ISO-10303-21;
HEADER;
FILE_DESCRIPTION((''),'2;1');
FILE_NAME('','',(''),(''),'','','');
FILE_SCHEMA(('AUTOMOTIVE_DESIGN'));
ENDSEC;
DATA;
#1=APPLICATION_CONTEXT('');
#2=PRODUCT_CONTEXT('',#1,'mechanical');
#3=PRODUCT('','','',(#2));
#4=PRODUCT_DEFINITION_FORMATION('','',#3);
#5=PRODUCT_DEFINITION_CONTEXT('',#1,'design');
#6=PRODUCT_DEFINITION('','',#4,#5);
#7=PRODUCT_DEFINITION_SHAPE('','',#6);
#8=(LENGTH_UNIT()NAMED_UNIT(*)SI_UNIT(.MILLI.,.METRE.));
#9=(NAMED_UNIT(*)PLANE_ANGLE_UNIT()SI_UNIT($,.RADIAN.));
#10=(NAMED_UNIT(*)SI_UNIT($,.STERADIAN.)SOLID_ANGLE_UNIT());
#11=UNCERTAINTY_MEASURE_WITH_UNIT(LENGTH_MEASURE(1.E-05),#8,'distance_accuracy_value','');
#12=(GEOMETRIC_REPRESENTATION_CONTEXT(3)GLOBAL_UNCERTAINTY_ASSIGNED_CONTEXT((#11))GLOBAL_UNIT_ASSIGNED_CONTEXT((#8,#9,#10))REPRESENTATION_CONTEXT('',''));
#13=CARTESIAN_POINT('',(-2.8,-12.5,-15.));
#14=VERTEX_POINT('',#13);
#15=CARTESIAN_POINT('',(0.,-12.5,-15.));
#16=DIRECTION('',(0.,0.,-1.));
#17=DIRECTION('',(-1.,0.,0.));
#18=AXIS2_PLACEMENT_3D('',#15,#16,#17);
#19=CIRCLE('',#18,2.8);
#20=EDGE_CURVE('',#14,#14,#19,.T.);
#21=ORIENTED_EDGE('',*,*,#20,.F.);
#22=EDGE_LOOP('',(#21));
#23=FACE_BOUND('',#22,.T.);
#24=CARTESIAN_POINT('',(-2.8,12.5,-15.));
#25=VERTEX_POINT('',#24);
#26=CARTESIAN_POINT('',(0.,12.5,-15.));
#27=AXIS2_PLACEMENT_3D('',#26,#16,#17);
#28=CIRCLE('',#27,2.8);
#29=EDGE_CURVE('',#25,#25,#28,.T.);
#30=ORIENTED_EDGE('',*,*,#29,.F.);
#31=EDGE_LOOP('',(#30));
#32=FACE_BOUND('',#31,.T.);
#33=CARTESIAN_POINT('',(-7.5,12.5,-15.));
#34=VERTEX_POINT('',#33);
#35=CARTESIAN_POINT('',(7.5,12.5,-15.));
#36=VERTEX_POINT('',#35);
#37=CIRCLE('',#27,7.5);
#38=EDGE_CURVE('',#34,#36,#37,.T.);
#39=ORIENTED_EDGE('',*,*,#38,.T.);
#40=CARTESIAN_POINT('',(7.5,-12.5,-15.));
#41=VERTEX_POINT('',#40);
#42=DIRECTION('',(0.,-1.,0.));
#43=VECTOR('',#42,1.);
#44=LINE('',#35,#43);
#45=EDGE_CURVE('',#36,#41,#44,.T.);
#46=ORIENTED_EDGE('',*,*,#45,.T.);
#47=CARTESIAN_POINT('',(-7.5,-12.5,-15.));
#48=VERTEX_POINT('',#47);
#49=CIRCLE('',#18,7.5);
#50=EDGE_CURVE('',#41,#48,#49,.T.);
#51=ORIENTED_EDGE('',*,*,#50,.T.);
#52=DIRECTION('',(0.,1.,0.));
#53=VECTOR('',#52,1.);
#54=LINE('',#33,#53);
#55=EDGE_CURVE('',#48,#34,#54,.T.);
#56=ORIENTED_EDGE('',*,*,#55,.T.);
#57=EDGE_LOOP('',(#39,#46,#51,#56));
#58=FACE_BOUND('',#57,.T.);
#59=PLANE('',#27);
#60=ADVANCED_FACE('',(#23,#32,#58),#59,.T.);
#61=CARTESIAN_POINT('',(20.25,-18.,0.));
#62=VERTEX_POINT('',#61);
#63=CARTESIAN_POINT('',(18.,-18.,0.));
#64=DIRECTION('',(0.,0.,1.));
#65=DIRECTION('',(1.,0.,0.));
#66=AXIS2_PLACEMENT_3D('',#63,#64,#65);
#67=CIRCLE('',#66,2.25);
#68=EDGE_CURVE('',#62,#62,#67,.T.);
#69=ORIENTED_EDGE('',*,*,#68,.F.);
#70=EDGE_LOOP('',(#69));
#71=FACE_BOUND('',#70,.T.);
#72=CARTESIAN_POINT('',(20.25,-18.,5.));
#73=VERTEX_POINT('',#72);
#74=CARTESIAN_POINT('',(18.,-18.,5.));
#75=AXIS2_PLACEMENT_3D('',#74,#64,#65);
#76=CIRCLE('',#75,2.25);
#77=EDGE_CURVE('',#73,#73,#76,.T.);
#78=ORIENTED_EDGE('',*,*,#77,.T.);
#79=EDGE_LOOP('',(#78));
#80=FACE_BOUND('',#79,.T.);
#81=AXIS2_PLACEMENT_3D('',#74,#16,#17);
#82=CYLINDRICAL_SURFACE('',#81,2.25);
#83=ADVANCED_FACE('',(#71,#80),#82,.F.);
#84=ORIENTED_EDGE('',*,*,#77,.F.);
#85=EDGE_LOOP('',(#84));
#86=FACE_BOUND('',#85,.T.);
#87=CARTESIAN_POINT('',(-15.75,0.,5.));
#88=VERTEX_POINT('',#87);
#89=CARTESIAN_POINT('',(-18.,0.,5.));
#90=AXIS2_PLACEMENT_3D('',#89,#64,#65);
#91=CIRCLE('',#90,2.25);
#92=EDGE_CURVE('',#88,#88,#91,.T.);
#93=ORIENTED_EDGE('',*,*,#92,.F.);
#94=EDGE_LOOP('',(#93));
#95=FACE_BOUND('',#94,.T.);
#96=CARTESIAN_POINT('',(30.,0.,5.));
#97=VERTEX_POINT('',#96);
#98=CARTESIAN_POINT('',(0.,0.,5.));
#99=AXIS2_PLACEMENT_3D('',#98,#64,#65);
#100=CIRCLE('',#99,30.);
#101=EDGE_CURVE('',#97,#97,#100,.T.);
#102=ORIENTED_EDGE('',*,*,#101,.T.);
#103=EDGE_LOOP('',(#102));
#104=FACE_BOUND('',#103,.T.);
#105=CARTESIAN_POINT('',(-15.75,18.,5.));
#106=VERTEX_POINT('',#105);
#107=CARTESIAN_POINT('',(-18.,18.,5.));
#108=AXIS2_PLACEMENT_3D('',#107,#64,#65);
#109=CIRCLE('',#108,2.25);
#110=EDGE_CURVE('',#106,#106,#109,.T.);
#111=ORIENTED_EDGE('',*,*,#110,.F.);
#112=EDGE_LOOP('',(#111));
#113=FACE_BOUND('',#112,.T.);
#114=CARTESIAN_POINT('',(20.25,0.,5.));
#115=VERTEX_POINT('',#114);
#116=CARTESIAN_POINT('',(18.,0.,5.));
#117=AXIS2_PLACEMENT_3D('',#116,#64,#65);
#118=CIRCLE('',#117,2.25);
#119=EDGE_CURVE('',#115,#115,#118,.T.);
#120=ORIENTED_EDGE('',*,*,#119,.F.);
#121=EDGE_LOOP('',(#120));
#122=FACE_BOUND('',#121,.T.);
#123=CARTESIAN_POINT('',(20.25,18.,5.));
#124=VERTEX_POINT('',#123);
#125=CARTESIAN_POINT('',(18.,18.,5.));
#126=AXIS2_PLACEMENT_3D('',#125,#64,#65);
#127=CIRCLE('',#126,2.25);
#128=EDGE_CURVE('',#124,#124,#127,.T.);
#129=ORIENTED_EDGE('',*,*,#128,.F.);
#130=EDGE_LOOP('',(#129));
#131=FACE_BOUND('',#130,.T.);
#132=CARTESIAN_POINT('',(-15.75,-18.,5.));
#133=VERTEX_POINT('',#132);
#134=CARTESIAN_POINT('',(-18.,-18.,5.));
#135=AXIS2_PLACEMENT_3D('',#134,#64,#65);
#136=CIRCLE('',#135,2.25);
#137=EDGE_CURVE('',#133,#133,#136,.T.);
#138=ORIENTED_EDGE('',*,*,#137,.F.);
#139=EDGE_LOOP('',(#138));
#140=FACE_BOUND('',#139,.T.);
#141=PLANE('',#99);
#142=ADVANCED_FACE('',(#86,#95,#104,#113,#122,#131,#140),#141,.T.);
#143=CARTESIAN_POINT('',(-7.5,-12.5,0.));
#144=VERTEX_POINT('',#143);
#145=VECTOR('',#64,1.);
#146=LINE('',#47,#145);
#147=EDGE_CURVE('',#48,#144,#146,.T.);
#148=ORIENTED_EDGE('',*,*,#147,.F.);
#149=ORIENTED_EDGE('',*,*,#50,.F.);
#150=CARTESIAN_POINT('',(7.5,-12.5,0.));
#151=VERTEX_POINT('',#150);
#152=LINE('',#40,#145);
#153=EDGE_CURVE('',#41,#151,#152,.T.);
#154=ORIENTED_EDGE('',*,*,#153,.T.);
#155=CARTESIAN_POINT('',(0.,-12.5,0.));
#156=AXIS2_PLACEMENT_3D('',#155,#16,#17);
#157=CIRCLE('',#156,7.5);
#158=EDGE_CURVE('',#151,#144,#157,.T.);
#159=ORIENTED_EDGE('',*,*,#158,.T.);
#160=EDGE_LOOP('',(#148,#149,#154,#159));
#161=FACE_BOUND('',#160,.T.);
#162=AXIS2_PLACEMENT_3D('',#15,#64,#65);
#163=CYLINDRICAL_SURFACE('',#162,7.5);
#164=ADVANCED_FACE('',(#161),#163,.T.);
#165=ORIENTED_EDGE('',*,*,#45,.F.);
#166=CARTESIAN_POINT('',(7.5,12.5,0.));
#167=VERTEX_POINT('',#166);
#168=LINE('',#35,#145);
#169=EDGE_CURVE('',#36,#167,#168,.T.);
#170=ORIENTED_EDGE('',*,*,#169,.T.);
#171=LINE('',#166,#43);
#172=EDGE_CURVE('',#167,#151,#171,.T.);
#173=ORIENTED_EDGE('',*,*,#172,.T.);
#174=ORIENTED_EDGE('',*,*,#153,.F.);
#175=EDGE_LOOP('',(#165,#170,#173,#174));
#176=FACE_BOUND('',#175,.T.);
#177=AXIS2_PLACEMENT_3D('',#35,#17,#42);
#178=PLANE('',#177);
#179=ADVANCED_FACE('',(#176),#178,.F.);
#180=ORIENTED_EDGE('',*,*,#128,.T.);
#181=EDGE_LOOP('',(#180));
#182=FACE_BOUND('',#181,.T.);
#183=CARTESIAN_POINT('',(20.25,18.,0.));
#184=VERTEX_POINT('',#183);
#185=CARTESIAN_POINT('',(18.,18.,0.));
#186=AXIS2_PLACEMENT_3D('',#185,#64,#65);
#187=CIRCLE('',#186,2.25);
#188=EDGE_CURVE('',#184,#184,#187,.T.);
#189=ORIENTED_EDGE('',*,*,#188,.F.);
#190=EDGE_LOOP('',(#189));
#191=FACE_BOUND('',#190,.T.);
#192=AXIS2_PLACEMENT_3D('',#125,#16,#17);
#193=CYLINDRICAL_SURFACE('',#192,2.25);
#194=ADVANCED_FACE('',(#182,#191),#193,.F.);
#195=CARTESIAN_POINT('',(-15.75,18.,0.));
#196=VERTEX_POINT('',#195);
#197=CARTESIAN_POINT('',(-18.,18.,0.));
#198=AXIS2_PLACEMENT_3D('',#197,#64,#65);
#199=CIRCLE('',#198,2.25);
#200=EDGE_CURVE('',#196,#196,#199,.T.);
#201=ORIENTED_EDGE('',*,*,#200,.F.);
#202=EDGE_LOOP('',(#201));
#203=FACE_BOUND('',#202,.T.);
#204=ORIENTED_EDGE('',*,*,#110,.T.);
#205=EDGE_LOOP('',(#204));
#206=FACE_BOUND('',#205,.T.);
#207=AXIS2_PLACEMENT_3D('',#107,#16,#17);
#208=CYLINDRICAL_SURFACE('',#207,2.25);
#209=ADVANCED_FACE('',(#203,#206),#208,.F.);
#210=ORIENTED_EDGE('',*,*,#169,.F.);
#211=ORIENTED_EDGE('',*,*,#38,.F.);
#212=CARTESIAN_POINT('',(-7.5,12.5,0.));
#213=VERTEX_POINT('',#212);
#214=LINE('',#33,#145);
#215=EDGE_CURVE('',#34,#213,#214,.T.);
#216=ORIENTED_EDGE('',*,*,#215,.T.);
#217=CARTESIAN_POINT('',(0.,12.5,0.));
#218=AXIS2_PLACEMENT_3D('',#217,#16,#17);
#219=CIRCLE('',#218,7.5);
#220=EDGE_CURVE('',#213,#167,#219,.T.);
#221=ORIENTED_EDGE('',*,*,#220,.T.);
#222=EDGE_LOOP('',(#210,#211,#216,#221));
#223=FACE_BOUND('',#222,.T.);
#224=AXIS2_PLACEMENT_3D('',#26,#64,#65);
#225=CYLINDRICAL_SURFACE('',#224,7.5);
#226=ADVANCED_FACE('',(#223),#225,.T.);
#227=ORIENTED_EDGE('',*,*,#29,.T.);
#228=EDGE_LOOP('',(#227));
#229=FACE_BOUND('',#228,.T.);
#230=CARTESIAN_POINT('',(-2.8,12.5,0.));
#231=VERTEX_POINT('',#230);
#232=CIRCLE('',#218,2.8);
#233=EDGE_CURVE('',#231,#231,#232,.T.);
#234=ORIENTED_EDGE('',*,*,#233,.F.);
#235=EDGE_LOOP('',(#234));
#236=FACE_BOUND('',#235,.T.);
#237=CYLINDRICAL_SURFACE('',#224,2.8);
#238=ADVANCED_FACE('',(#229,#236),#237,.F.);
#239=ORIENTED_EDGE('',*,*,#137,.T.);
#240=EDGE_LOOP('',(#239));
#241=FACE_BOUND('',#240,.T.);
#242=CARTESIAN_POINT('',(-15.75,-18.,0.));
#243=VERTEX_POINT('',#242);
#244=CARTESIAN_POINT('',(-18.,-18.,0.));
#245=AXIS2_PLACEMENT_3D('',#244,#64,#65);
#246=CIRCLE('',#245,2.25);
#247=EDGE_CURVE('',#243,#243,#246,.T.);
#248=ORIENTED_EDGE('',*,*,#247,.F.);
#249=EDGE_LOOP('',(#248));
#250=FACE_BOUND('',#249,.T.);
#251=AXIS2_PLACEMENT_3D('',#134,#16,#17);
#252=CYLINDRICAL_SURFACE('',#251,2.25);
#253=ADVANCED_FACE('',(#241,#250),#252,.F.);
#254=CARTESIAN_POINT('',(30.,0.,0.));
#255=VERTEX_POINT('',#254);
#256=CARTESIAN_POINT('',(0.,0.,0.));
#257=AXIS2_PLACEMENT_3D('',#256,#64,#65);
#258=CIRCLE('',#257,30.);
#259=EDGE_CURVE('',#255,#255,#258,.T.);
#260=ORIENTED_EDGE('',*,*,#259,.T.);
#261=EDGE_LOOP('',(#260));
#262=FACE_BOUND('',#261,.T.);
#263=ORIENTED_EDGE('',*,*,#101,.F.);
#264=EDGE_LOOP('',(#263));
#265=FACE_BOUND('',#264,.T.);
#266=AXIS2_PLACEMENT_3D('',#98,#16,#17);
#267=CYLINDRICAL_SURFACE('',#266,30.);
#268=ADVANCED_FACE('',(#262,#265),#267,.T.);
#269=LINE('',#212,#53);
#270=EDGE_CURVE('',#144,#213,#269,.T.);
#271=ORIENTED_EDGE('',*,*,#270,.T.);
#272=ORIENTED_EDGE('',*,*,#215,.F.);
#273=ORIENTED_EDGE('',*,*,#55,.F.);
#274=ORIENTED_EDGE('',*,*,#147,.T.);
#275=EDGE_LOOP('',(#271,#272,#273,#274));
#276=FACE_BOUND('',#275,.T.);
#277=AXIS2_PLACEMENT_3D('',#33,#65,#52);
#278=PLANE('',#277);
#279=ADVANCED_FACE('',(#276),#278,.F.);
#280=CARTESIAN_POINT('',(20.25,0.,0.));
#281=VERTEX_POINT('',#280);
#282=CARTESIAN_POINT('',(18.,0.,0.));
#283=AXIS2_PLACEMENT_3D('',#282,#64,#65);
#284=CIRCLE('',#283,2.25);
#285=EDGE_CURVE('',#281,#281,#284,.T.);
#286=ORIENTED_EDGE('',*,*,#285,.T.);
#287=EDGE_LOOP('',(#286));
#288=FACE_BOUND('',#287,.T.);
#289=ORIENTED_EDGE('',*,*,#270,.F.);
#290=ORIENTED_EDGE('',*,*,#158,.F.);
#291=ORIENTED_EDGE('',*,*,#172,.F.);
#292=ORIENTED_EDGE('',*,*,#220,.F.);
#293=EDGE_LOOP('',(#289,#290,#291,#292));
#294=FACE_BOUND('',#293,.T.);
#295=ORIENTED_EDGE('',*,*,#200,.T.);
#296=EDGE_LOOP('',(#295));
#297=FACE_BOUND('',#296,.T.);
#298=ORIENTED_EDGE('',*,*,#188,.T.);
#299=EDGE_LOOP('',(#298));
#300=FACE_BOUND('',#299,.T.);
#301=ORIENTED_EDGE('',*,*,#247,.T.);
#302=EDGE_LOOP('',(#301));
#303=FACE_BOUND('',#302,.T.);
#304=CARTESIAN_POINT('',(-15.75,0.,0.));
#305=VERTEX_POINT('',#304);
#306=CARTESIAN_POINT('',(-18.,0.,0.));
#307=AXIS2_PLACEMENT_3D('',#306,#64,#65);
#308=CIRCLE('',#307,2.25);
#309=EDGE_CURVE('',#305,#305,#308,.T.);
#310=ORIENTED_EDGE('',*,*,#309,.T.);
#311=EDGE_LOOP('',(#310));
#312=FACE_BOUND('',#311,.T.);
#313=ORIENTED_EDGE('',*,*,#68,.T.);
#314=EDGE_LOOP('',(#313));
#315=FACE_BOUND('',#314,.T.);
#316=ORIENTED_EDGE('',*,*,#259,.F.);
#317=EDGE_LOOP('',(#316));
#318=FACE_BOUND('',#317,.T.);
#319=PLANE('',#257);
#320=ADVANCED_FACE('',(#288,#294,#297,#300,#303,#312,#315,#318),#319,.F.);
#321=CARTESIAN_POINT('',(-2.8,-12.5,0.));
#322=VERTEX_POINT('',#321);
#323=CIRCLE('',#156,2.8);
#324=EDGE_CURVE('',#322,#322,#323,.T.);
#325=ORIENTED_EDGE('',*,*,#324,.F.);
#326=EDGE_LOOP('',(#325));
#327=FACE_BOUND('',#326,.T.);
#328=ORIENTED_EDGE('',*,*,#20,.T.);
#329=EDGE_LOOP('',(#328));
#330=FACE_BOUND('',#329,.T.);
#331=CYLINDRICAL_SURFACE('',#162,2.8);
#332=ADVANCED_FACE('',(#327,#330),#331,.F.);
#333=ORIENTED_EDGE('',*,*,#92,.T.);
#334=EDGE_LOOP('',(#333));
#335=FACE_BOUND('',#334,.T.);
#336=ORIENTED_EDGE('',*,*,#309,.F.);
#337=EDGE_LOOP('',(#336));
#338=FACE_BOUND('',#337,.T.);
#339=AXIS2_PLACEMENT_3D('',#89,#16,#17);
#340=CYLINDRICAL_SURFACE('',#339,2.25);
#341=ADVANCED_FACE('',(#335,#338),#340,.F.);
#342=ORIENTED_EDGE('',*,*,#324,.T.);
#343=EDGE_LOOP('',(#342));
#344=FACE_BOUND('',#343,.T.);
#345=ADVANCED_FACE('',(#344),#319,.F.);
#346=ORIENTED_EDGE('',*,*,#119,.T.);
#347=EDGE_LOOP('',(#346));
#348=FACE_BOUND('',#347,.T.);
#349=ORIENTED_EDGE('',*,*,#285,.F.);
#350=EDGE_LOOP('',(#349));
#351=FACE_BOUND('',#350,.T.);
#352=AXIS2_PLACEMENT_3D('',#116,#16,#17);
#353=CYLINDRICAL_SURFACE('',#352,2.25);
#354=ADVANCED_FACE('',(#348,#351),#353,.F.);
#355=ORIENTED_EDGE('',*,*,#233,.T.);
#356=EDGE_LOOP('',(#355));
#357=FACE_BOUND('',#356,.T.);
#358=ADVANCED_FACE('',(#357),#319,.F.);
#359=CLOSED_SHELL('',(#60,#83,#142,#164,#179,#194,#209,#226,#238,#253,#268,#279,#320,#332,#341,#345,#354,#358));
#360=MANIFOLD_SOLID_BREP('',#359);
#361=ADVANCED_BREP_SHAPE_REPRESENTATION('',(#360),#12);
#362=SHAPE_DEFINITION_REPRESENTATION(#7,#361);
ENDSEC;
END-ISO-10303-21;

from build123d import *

# Parameters (mm, degrees)
ESQUISSE1_R        = 30
ESQUISSE1_R_2      = 2.25
BOSS_EXTRU_1_DEPTH = 5
ESQUISSE2_R        = 2.8
BOSS_EXTRU_2_DEPTH = 15


with BuildPart() as part:
    # Esquisse1 → Boss.-Extru.1 (new body)
    with BuildSketch(Plane.XY):
        Circle(ESQUISSE1_R)
        with Locations((18, 18)):
            Circle(ESQUISSE1_R_2, mode=Mode.SUBTRACT)
        with Locations((-18, 18)):
            Circle(ESQUISSE1_R_2, mode=Mode.SUBTRACT)
        with Locations((-18, -18)):
            Circle(ESQUISSE1_R_2, mode=Mode.SUBTRACT)
        with Locations((18, -18)):
            Circle(ESQUISSE1_R_2, mode=Mode.SUBTRACT)
        with Locations((18, 0)):
            Circle(ESQUISSE1_R_2, mode=Mode.SUBTRACT)
        with Locations((-18, 0)):
            Circle(ESQUISSE1_R_2, mode=Mode.SUBTRACT)
    extrude(amount=BOSS_EXTRU_1_DEPTH)

    # Esquisse2 → Boss.-Extru.2 (add)
    with BuildSketch(Plane(origin=(0, 0, 0), x_dir=(-1, 0, 0), z_dir=(0, 0, -1))):
        with BuildLine():
            Line((7.5, 12.5), (7.5, -12.5))
            ThreePointArc((7.5, -12.5), (0, -20), (-7.5, -12.5))
            Line((-7.5, -12.5), (-7.5, 12.5))
            ThreePointArc((-7.5, 12.5), (0, 20), (7.5, 12.5))
        make_face()
        with Locations((0, 12.5)):
            Circle(ESQUISSE2_R, mode=Mode.SUBTRACT)
        with Locations((0, -12.5)):
            Circle(ESQUISSE2_R, mode=Mode.SUBTRACT)
    extrude(amount=BOSS_EXTRU_2_DEPTH)


solid = part.part
